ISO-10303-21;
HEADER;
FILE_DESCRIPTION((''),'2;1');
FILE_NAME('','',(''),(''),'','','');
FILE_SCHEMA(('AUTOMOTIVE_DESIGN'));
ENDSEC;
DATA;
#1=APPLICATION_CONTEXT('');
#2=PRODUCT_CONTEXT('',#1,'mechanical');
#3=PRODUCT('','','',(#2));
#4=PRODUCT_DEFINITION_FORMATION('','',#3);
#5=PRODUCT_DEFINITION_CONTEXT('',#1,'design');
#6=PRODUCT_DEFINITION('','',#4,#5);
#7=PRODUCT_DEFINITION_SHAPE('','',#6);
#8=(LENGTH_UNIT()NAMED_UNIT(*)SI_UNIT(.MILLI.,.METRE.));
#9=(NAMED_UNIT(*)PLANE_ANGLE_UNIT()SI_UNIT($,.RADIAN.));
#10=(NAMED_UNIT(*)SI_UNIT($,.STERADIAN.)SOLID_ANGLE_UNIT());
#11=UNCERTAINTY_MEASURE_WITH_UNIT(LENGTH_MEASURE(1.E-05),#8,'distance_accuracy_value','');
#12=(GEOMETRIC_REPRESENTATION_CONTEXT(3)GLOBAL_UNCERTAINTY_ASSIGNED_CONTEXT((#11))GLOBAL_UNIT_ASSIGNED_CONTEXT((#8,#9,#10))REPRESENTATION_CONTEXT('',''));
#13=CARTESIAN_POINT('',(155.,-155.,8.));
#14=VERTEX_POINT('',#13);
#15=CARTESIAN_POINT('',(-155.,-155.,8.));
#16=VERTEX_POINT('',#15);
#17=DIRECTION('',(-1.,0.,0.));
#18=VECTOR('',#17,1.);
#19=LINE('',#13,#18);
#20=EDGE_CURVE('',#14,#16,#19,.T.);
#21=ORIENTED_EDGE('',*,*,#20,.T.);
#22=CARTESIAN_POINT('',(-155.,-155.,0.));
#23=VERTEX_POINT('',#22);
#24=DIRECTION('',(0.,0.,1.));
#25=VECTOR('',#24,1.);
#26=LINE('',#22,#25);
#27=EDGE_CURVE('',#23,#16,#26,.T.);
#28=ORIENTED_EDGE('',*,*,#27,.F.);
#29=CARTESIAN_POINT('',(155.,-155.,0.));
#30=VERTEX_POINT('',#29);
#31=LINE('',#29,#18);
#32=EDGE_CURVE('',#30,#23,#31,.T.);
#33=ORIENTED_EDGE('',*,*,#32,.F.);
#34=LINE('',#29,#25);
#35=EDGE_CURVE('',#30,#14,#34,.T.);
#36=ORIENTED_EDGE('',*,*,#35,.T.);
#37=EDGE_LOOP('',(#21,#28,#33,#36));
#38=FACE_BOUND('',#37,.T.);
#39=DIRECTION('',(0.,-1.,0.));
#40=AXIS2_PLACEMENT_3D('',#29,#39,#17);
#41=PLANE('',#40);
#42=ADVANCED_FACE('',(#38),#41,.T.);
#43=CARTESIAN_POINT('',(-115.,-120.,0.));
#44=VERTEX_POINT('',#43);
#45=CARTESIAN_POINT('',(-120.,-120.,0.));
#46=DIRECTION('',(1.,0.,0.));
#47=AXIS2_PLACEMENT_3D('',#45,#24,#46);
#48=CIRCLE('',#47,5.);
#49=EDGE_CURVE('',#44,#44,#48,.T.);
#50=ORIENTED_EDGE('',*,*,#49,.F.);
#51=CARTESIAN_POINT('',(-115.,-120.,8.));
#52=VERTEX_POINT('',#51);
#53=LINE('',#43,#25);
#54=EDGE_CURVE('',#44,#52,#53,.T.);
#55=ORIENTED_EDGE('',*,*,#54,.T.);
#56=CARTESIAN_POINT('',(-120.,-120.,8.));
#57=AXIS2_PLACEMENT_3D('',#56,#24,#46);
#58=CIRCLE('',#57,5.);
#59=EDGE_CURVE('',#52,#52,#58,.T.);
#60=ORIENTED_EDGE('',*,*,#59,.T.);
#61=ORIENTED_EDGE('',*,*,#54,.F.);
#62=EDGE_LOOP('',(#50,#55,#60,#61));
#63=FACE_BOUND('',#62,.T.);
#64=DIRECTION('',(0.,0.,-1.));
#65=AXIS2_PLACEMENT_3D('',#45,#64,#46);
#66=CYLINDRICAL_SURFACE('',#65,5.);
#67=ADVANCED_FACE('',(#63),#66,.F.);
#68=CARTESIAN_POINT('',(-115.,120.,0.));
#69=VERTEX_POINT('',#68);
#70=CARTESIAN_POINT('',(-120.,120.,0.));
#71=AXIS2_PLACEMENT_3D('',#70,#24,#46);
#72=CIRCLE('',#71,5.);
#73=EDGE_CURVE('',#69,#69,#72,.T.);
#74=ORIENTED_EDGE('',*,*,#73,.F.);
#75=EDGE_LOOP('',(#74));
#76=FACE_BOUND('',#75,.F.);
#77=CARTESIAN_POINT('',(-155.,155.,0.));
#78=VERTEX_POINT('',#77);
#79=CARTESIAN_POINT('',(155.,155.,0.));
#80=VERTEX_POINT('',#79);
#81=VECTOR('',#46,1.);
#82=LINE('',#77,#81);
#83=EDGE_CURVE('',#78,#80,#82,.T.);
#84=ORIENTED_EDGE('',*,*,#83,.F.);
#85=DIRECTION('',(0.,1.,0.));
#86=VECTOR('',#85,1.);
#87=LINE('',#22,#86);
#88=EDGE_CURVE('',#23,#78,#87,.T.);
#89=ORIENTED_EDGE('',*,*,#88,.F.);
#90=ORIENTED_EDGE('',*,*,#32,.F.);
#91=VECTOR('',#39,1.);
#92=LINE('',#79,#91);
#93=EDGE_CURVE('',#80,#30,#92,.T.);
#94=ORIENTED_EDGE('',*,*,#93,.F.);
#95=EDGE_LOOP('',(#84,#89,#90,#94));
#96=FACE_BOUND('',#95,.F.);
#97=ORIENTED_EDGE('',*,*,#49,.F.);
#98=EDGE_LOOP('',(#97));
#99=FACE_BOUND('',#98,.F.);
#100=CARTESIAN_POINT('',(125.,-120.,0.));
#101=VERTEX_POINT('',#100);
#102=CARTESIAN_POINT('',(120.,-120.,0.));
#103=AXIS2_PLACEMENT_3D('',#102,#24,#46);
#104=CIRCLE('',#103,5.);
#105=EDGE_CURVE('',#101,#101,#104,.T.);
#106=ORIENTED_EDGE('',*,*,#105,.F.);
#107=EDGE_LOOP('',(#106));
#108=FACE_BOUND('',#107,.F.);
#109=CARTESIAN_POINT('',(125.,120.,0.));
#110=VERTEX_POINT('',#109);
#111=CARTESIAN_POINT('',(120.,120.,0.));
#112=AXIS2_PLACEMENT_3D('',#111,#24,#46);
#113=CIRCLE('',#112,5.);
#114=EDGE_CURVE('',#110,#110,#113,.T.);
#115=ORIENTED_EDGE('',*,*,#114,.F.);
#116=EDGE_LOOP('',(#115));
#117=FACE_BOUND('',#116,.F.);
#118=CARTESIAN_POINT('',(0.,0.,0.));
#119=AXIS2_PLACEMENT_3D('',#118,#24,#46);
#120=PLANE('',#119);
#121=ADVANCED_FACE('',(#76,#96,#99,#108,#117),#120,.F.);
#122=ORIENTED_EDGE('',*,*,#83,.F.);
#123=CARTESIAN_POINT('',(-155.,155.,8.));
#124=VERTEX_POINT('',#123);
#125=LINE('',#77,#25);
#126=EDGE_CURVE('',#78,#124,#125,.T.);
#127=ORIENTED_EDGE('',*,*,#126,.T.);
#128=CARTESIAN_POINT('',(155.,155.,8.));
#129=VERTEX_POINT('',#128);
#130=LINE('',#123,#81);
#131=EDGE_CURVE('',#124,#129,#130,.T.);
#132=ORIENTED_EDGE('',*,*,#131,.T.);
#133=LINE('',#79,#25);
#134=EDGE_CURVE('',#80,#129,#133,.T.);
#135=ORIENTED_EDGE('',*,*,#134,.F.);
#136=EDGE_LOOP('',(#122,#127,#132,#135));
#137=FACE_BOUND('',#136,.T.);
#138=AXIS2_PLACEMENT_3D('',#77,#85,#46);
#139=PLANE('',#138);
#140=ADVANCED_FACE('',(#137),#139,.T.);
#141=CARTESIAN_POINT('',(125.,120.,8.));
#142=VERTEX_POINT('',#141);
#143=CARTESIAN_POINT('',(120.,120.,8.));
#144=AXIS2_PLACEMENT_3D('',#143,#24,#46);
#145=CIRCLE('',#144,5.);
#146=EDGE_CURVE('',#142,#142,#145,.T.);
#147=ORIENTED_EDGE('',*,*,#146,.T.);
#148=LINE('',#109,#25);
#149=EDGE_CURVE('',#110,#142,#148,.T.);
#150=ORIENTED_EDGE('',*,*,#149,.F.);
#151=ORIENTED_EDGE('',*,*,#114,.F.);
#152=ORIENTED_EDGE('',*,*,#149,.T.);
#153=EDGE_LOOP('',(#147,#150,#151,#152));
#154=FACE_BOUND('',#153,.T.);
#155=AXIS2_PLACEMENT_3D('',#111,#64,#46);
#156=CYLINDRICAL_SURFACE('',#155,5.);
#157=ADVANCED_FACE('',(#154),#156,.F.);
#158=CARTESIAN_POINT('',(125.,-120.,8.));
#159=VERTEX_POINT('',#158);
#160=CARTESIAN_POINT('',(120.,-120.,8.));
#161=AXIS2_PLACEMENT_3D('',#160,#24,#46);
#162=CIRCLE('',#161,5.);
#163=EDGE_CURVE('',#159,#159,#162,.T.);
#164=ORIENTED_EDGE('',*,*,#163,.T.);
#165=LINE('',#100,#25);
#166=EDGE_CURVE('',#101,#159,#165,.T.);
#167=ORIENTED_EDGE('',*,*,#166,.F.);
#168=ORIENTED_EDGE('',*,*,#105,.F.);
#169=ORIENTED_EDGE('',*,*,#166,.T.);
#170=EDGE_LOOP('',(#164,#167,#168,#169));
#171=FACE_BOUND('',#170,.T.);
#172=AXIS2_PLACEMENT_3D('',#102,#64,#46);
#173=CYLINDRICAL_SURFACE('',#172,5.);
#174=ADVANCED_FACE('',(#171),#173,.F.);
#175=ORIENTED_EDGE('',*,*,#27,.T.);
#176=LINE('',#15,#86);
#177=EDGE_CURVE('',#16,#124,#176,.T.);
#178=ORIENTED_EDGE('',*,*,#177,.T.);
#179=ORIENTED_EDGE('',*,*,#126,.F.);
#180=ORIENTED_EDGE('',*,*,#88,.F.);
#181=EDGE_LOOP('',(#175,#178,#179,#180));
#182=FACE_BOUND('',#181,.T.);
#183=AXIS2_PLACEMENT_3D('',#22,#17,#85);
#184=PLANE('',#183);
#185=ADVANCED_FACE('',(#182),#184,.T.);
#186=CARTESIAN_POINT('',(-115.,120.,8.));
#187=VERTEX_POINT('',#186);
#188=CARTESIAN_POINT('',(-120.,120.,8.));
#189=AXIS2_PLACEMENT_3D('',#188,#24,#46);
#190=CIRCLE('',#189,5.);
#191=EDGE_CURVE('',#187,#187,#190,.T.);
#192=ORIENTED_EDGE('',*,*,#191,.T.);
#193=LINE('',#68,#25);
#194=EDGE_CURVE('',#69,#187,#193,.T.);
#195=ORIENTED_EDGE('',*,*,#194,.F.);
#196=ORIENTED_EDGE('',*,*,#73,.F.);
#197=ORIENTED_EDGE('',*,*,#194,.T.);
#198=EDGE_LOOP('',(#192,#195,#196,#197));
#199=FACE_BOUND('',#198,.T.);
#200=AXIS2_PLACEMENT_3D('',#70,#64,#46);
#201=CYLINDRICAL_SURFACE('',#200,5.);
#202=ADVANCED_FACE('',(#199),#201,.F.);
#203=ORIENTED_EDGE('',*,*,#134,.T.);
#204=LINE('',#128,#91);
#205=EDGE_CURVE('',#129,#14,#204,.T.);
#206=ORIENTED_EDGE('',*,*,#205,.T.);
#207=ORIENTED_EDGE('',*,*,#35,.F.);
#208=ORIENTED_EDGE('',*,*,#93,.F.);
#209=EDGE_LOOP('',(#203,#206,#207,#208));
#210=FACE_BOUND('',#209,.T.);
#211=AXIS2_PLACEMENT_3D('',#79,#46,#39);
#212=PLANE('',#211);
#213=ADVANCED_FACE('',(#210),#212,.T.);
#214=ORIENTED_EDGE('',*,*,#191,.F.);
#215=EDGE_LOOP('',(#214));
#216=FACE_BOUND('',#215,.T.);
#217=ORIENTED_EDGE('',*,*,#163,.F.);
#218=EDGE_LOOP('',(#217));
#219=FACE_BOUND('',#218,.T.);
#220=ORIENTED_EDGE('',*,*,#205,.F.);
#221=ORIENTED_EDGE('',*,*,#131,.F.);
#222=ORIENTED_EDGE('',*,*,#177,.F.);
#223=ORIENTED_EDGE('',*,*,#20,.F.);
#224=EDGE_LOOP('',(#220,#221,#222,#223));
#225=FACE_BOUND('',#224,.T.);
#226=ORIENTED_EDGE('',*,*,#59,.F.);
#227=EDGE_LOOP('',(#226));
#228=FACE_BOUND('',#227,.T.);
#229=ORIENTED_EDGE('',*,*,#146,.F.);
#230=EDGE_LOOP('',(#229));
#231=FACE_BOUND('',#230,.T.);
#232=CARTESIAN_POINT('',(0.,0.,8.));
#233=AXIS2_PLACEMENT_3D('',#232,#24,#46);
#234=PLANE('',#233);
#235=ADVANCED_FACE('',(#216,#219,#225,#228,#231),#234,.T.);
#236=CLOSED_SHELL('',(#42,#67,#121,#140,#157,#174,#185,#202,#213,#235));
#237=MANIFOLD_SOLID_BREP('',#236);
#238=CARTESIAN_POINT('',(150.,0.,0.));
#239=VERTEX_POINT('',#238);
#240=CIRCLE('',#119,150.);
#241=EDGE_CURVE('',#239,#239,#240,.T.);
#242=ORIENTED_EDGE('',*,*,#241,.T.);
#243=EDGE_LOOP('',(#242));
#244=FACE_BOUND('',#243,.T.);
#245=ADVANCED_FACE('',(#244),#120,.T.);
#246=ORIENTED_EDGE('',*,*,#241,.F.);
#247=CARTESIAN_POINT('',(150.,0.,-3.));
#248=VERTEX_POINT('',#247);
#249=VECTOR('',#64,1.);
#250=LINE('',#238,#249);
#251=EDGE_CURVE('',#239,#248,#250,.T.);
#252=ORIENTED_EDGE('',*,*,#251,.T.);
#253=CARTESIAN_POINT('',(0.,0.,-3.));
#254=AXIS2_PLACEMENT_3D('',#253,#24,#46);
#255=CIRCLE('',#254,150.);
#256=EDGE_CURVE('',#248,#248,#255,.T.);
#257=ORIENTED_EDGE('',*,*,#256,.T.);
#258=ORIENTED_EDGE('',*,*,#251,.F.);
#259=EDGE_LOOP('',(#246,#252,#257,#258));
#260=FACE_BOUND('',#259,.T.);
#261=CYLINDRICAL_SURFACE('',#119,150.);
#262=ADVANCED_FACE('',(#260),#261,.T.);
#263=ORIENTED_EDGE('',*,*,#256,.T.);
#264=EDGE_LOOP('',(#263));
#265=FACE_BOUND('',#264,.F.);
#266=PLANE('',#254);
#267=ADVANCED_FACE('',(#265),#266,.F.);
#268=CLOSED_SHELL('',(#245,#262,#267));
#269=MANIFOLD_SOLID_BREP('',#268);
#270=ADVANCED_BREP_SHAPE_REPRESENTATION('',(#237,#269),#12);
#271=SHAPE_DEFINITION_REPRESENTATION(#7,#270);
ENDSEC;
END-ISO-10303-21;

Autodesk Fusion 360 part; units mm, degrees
sketch "Sketch1" plane through (0, 0, 0) normal (0, 0, 1) x (1, 0, 0)
  line L0 (155, -155) -> (-155, -155)
  line L1 (-155, -155) -> (-155, 155)
  line L2 (-155, 155) -> (155, 155)
  line L3 (155, 155) -> (155, -155)
  line L4 (155, -155) -> (-155, 155) construction
  line L5 (-155, -155) -> (155, 155) construction
  line L6 (120, -120) -> (-120, -120) construction
  line L7 (-120, -120) -> (-120, 120) construction
  line L8 (-120, 120) -> (120, 120) construction
  line L9 (120, 120) -> (120, -120) construction
  line L10 (120, -120) -> (-120, 120) construction
  line L11 (-120, -120) -> (120, 120) construction
  circle A0 centre (120, 120) radius 5
  circle A1 centre (120, -120) radius 5
  circle A2 centre (-120, -120) radius 5
  circle A3 centre (-120, 120) radius 5
  circle A4 centre (0, 0) radius 150
  dimension "d1" = 310
  dimension "d2" = 310
  dimension "d3" = 240
  dimension "d4" = 240
  dimension "d5" = 10
  dimension "d6" = 10
  dimension "d7" = 10
  dimension "d8" = 10
  dimension "d9" = 300
extrude "Extrude1" add sketch "Sketch1" along normal blind 8 contours L0 L1 L2 L3 | A4 makes body 1
extrude "Extrude2" add sketch "Sketch1" against normal blind 3 separate body contours A4 makes body 2
equation "d6 = d5"
equation "d7 = d5"
equation "d8 = d5"
